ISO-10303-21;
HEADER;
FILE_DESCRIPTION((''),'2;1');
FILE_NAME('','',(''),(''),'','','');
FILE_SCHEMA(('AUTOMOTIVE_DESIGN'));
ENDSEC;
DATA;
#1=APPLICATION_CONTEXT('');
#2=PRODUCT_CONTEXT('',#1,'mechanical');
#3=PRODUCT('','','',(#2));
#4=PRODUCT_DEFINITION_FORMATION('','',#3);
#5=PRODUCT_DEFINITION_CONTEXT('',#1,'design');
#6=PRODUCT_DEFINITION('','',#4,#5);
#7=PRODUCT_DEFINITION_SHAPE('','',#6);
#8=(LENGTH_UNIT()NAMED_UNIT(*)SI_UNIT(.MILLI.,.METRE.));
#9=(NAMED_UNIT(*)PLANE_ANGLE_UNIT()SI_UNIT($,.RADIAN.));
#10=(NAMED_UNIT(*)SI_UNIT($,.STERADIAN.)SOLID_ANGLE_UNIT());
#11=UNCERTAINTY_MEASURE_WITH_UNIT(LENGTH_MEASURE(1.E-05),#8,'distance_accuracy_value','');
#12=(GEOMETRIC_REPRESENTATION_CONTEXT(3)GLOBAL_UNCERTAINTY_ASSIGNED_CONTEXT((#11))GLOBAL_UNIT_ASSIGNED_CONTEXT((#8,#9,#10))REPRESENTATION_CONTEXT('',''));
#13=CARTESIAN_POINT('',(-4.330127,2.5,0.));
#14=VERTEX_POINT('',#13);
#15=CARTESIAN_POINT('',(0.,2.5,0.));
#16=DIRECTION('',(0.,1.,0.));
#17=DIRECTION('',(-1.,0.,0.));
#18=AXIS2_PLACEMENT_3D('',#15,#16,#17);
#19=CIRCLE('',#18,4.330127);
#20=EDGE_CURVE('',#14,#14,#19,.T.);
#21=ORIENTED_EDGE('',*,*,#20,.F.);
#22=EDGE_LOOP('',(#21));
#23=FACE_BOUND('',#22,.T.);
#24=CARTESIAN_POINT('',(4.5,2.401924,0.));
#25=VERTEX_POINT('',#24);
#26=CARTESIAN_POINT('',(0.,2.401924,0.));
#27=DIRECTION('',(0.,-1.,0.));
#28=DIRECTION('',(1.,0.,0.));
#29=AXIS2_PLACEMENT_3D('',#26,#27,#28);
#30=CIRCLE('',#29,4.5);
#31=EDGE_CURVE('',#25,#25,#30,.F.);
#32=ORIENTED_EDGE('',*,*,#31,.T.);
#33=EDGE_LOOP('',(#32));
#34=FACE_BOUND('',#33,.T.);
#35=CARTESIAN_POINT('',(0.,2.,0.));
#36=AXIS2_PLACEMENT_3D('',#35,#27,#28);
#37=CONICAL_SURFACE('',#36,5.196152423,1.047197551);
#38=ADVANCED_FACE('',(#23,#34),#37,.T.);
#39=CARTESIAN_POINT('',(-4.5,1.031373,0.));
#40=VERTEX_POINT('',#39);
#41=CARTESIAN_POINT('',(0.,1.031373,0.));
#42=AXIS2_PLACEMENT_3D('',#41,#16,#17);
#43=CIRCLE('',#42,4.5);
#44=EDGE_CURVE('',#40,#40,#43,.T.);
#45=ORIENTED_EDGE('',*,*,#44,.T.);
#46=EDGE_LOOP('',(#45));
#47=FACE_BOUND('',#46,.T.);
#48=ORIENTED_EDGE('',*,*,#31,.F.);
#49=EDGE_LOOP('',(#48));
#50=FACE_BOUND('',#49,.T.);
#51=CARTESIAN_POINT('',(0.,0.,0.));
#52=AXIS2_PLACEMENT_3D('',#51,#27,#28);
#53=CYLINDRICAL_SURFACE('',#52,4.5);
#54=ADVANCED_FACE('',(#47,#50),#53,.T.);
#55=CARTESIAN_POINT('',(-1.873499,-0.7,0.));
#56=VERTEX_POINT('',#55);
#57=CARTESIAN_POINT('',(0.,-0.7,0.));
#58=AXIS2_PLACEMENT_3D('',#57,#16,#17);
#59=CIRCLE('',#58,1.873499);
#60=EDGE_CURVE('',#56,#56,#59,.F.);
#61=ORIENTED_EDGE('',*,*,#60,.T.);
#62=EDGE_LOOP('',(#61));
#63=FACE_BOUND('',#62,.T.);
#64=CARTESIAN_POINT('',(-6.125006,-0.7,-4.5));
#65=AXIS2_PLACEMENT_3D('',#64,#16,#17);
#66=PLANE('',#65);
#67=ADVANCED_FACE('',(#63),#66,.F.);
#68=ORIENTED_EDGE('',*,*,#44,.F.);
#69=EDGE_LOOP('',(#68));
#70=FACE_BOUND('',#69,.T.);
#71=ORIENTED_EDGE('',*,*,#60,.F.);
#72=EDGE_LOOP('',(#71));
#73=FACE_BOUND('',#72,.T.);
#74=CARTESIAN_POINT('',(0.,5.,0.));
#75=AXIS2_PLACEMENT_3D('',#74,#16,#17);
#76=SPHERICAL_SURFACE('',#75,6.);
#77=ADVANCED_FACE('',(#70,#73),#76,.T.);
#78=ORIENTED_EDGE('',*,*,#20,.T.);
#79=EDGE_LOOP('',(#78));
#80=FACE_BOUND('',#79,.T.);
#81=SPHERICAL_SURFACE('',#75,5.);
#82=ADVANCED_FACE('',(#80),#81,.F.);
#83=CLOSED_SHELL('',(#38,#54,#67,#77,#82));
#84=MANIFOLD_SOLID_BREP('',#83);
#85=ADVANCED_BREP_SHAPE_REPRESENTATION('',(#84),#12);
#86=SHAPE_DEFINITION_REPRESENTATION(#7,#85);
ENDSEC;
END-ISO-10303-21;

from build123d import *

# Parameters (mm, degrees)
SKETCH_2_W               = 1.902691091
SKETCH_2_H               = 5.293337887
SKETCH_3_W               = 11.904020265
SKETCH_3_H               = 2.403246825
CUT_EXTRUDE_1_DEPTH      = 5.5
CUT_EXTRUDE_1_DEPTH_BACK = 5.5


with BuildPart() as part:
    # Эскиз1 one side → Повернуть1 (revolve)
    with BuildSketch(Plane.XY):
        with BuildLine():
            Line((0, 0), (0, -1))
            ThreePointArc((0, -1), (3, -0.196152423), (5.196152423, 2))
            Line((5.196152423, 2), (4.330127019, 2.5))
            ThreePointArc((4.330127019, 2.5), (2.5, 0.669872981), (0, 0))
        make_face()
    revolve(axis=Axis((0, 0, 0), (0, -1, 0)))

    # Эскиз2 → Вырез-Повернуть1 (revolve, cut)
    with BuildSketch(Plane.XY):
        with Locations((-5.451345546, 1.418725327)):
            Rectangle(SKETCH_2_W, SKETCH_2_H)
    revolve(axis=Axis((0, 0, 0), (0, 1, 0)), mode=Mode.SUBTRACT)

    # Эскиз3 → Вырез-Вытянуть1 (cut, two sides)
    with BuildSketch(Plane.XY) as cut_extrude_1_sk:
        with Locations((-0.172996367, -1.901623413)):
            Rectangle(SKETCH_3_W, SKETCH_3_H)
    extrude(amount=CUT_EXTRUDE_1_DEPTH, mode=Mode.SUBTRACT)
    extrude(cut_extrude_1_sk.sketch, amount=-CUT_EXTRUDE_1_DEPTH_BACK, mode=Mode.SUBTRACT)


solid = part.part
